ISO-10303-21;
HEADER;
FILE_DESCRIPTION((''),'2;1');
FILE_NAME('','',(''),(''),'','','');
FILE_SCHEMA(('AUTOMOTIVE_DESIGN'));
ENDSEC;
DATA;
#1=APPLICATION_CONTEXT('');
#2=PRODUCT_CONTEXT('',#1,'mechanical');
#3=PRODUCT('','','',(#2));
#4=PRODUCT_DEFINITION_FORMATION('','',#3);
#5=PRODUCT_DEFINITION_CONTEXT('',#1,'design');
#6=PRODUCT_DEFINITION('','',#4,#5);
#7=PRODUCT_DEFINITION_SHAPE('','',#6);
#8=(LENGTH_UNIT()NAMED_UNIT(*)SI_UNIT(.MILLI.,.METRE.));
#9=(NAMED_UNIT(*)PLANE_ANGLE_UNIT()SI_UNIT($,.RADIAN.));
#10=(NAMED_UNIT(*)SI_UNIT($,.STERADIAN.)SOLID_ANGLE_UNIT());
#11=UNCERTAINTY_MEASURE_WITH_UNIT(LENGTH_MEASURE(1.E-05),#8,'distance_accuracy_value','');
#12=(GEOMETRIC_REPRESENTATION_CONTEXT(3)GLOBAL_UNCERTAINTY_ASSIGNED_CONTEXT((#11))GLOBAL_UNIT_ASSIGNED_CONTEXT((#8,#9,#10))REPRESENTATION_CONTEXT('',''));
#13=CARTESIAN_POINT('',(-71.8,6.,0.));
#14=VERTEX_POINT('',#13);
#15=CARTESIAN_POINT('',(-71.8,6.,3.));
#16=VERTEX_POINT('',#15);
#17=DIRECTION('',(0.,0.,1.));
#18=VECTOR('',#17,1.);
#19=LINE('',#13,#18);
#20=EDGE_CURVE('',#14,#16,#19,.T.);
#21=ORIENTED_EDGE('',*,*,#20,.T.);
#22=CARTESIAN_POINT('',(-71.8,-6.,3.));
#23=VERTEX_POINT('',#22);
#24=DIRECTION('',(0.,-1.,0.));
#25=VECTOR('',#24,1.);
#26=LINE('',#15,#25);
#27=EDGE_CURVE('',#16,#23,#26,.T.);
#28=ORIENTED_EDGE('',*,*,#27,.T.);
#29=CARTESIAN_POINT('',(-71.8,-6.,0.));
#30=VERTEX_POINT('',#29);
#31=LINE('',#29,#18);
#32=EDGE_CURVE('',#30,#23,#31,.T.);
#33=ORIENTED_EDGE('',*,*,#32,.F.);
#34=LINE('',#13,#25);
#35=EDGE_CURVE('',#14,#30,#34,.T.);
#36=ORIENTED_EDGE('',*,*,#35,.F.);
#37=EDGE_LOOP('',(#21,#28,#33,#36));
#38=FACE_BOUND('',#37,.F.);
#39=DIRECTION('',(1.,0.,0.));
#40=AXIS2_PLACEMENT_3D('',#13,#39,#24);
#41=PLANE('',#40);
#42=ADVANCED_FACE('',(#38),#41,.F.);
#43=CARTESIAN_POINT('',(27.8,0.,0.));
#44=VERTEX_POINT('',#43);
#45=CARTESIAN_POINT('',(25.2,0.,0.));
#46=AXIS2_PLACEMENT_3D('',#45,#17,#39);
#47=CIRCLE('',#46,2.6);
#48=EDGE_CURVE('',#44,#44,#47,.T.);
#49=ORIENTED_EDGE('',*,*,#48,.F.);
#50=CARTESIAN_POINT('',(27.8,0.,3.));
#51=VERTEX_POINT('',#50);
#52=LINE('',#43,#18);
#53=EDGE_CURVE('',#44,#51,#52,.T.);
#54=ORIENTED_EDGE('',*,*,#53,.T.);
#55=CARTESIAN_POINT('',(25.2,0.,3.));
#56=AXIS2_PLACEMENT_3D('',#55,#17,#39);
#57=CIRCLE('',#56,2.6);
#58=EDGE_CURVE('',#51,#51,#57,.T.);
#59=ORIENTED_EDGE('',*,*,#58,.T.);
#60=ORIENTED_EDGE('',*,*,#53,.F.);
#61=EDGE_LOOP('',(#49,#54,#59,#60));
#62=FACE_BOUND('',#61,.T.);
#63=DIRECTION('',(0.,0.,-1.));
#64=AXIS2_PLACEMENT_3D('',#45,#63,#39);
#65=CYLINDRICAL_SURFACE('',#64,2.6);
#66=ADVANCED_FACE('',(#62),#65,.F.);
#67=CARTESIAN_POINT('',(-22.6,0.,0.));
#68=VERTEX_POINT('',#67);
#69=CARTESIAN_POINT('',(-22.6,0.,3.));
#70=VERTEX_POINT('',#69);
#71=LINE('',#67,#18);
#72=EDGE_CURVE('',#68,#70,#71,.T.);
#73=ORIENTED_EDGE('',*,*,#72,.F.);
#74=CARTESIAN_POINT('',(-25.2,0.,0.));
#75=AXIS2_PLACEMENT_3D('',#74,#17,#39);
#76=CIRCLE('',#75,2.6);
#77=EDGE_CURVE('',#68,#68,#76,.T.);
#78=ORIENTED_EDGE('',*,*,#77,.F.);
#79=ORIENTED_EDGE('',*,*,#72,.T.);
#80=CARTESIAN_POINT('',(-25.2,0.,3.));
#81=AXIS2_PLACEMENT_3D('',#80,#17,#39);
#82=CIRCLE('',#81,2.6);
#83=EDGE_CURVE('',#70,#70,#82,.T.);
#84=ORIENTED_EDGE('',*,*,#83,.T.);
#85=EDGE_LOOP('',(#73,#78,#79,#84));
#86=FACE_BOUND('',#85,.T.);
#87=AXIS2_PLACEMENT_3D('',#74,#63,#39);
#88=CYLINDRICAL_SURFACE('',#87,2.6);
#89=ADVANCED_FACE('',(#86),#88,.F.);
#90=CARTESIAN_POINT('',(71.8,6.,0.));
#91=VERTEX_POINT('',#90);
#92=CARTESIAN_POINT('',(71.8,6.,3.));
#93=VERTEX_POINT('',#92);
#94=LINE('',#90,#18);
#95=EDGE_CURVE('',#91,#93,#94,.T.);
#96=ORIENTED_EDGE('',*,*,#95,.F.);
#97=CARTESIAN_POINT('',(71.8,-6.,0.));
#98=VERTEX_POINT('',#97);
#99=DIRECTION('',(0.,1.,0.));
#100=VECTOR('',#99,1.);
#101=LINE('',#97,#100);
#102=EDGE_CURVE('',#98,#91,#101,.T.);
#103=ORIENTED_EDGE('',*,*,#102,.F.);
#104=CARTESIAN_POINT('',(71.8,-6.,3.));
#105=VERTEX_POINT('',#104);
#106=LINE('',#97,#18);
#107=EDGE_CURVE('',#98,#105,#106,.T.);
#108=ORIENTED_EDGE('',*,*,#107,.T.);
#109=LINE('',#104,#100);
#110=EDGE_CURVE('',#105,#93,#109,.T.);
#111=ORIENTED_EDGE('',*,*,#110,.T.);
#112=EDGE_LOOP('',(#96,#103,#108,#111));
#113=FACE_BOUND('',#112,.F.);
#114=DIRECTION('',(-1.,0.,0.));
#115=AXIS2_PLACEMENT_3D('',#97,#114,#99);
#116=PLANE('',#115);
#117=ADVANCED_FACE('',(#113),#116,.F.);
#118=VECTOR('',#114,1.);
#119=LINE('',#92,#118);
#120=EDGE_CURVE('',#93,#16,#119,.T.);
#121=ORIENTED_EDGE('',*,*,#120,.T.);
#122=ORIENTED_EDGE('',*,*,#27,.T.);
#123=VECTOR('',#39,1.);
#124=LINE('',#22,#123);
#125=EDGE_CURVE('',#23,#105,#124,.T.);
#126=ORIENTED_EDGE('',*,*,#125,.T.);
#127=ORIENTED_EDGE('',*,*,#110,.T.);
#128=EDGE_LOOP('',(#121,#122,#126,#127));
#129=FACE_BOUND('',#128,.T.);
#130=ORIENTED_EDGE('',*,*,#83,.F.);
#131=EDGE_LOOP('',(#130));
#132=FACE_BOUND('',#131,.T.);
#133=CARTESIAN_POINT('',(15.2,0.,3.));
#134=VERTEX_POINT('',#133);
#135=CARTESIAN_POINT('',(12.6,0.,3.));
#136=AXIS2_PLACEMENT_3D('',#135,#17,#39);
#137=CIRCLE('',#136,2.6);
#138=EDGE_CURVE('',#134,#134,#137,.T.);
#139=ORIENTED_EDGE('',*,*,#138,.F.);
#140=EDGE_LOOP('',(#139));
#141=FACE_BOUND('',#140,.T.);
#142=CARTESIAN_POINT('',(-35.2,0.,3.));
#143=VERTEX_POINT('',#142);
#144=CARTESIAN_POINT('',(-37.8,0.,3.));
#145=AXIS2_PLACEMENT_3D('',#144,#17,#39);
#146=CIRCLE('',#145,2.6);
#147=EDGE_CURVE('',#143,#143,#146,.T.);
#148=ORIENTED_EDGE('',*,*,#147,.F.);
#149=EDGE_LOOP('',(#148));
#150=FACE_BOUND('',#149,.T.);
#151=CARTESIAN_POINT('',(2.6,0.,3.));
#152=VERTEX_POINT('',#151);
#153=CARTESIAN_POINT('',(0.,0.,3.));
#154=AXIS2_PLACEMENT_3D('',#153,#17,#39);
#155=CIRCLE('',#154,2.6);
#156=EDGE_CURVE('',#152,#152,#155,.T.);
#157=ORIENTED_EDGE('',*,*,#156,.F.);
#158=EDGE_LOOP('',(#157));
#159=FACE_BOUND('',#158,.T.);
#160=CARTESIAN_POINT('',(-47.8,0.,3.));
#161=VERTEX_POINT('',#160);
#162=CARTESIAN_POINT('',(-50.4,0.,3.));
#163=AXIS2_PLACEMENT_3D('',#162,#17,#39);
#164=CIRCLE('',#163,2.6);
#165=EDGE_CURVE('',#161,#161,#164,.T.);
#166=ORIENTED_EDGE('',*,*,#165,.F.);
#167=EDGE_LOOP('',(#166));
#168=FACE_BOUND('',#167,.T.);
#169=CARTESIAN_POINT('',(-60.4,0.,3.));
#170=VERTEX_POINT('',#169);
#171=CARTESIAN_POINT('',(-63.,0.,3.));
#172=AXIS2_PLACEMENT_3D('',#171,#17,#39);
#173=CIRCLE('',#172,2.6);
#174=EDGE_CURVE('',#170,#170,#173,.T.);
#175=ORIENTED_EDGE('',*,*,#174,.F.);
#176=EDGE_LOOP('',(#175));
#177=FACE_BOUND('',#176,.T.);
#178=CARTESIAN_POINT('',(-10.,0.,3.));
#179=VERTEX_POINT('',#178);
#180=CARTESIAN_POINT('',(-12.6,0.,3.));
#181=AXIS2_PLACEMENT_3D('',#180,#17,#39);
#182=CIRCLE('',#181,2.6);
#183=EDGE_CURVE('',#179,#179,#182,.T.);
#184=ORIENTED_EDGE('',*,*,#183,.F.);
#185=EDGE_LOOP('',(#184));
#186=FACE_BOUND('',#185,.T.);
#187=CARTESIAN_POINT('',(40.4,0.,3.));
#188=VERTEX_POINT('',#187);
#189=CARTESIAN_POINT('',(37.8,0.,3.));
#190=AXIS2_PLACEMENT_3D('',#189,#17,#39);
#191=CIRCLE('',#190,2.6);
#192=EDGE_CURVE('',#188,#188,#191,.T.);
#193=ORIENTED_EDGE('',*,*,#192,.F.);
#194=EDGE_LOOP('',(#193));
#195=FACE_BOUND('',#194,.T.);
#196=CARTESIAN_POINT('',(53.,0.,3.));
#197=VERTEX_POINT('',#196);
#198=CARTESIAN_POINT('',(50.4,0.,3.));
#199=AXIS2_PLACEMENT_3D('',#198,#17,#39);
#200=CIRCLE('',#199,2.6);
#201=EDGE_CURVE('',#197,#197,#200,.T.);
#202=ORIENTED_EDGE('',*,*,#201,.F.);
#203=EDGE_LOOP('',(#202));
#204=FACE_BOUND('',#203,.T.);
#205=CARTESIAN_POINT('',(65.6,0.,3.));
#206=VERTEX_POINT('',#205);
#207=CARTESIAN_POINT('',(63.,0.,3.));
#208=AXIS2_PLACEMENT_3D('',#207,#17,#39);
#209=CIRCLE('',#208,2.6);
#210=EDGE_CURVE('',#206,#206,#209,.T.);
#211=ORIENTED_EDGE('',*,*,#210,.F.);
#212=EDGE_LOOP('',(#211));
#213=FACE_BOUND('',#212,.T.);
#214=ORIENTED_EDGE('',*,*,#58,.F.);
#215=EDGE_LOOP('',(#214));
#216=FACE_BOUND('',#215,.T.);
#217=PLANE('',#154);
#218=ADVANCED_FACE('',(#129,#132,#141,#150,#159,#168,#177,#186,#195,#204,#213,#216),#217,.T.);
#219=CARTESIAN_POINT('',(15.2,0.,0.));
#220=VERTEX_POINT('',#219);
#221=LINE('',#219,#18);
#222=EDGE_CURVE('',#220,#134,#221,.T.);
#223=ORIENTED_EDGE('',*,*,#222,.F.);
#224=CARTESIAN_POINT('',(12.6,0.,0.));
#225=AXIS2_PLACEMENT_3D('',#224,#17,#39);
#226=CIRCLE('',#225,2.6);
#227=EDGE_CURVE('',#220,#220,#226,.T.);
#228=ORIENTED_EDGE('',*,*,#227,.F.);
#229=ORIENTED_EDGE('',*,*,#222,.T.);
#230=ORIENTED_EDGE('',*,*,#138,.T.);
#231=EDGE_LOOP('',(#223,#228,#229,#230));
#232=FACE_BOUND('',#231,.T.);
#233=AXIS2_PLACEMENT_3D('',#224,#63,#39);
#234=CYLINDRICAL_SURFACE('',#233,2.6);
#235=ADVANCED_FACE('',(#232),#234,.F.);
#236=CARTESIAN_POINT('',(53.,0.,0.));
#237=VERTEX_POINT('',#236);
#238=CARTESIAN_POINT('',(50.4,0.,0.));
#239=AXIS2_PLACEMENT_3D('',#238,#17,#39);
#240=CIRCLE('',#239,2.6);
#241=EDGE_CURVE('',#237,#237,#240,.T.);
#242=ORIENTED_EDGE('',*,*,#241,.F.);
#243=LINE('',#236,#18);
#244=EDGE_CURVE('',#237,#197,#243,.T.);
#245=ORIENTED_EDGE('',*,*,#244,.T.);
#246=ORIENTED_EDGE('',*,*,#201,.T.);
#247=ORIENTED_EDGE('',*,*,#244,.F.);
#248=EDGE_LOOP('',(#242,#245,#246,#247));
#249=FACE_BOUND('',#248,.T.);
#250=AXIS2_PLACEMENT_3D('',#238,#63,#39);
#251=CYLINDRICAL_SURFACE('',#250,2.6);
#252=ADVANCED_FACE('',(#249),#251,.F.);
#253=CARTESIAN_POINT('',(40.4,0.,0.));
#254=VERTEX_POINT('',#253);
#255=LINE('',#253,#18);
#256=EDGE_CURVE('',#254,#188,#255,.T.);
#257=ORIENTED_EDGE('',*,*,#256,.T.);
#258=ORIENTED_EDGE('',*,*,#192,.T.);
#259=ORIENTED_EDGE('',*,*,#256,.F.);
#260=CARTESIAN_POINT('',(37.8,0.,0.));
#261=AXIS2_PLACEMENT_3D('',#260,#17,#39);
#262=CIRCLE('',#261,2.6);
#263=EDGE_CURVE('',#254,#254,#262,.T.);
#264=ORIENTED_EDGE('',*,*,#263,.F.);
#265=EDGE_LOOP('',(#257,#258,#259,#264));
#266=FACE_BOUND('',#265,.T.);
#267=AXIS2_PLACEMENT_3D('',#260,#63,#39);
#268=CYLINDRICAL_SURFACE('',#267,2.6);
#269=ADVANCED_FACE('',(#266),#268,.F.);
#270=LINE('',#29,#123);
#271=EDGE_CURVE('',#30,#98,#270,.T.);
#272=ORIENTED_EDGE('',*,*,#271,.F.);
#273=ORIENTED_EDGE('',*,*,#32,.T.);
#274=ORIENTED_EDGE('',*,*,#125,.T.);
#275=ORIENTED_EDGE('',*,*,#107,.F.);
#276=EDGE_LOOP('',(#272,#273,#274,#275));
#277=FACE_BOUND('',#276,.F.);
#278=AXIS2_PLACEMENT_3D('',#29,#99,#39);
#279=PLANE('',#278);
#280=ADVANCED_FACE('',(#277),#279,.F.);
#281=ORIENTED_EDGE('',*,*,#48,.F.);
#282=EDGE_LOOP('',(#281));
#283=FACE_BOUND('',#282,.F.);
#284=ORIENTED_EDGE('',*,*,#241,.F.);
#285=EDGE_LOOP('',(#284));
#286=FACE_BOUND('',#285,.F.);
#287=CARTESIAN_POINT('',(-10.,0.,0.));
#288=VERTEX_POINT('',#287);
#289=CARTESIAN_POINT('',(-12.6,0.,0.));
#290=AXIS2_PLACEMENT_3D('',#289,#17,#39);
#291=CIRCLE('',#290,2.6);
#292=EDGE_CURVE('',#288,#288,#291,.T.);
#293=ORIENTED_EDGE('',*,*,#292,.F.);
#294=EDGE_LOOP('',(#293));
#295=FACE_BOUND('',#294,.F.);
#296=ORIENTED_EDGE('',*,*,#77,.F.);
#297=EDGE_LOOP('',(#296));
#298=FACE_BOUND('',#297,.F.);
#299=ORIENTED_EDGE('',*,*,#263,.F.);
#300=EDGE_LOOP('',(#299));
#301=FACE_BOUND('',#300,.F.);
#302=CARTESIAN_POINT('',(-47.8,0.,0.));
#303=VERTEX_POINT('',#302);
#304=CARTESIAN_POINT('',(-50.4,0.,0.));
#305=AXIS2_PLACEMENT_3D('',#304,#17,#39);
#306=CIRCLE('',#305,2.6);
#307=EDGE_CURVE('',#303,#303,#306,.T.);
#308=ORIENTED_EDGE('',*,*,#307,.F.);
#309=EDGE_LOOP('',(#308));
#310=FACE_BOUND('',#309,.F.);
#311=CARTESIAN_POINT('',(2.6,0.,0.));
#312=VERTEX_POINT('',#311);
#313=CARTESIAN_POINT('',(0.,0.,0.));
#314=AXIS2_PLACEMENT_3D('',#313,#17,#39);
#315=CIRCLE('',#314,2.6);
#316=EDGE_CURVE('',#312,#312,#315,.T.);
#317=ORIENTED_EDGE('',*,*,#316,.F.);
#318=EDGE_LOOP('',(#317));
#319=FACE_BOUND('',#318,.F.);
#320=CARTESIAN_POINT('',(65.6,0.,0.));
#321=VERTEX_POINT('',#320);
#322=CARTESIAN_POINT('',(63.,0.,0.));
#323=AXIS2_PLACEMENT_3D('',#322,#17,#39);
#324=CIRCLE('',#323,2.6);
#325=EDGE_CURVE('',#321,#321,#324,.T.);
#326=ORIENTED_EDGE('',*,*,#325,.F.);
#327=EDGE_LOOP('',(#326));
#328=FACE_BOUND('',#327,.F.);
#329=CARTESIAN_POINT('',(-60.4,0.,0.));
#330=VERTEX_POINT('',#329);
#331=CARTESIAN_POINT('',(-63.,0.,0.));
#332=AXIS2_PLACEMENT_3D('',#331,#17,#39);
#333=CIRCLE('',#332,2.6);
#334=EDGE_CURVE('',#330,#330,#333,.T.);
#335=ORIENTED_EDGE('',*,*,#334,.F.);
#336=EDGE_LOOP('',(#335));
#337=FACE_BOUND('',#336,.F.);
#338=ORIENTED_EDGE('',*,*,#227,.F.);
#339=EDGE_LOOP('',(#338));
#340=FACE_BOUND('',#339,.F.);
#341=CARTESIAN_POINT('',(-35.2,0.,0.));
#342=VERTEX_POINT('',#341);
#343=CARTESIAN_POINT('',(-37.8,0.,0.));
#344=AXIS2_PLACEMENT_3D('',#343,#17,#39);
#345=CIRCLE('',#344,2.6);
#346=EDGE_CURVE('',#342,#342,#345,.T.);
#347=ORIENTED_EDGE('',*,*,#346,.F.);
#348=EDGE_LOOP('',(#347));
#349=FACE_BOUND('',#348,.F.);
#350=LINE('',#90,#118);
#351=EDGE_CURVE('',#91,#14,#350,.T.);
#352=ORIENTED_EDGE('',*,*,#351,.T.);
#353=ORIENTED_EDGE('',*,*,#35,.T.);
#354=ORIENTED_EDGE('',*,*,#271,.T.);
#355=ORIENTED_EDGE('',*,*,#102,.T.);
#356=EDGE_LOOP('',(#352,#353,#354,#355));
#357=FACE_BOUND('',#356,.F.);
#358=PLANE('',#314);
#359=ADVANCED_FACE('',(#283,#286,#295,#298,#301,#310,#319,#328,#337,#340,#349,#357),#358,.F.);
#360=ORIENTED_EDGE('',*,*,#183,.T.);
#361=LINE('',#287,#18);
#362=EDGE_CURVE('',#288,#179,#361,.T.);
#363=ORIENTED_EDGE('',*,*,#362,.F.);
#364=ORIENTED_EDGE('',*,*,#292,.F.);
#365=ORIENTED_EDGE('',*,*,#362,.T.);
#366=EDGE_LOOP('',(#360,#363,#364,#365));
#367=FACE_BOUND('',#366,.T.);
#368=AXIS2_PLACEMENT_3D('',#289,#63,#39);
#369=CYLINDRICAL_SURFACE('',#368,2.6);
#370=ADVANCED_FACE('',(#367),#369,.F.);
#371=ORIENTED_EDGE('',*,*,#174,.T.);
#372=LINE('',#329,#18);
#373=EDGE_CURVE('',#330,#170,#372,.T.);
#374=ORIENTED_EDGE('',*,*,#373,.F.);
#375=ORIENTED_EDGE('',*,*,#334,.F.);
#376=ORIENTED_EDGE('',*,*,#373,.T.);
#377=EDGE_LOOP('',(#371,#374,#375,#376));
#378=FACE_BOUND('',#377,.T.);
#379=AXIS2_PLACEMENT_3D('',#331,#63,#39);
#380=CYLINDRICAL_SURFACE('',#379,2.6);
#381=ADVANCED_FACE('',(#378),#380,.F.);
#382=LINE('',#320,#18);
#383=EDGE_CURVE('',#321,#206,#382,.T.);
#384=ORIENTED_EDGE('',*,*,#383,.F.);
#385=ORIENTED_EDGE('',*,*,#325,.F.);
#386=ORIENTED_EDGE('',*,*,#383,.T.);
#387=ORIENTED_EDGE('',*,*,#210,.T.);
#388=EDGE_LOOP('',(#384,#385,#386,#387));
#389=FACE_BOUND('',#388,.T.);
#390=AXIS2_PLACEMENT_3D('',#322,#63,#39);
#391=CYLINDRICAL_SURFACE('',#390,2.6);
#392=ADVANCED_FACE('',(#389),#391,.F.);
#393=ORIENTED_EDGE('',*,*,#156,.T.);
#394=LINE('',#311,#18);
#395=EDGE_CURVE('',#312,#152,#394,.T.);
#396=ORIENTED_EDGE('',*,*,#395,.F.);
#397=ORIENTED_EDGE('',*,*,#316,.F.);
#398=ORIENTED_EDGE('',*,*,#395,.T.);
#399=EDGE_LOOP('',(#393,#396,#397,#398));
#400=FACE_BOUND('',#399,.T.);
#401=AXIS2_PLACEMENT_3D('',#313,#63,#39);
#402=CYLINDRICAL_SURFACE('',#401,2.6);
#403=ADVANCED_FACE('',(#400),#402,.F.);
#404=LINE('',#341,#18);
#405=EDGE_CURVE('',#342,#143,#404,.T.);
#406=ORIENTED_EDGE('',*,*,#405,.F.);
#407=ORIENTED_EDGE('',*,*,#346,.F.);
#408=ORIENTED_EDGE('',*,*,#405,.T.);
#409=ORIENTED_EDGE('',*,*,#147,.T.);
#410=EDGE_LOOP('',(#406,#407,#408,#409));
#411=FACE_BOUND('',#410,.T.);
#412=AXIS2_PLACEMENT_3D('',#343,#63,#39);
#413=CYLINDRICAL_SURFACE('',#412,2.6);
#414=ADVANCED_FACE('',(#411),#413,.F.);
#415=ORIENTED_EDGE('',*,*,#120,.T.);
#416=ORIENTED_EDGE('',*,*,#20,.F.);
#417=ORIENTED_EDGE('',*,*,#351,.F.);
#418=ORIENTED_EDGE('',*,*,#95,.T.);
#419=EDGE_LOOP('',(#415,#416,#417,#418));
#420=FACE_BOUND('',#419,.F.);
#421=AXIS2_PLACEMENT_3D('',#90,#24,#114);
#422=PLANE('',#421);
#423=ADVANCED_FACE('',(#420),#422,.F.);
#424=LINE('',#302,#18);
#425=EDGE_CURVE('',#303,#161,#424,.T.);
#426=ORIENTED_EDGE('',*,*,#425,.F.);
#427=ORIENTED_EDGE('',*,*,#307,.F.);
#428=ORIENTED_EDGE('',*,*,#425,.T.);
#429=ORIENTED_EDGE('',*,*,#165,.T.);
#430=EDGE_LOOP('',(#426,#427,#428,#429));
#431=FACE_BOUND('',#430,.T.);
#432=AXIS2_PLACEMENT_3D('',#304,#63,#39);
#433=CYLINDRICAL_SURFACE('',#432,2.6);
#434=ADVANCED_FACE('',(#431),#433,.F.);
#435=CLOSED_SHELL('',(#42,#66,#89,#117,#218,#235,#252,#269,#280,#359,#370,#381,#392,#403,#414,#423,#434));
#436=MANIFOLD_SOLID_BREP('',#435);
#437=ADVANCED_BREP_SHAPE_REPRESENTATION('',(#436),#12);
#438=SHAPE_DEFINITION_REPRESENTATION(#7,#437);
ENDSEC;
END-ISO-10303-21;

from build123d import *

# Parameters (mm, degrees)
F0_R     = 2.6
F1_DEPTH = 3


with BuildPart() as f1:
    # F0 (on Top) → F1 (new body)
    with BuildSketch(Plane.XY):
        Polygon((-71.8, 6), (-71.8, 0), (-71.8, -6), (71.8, -6), (71.8, 0), (71.8, 6), align=None)
        with Locations((-63, 0)):
            Circle(F0_R, mode=Mode.SUBTRACT)
        with Locations((-50.4, 0)):
            Circle(F0_R, mode=Mode.SUBTRACT)
        with Locations((-37.8, 0)):
            Circle(F0_R, mode=Mode.SUBTRACT)
        with Locations((-25.2, 0)):
            Circle(F0_R, mode=Mode.SUBTRACT)
        with Locations((-12.6, 0)):
            Circle(F0_R, mode=Mode.SUBTRACT)
        Circle(F0_R, mode=Mode.SUBTRACT)
        with Locations((12.6, 0)):
            Circle(F0_R, mode=Mode.SUBTRACT)
        with Locations((25.2, 0)):
            Circle(F0_R, mode=Mode.SUBTRACT)
        with Locations((37.8, 0)):
            Circle(F0_R, mode=Mode.SUBTRACT)
        with Locations((50.4, 0)):
            Circle(F0_R, mode=Mode.SUBTRACT)
        with Locations((63, 0)):
            Circle(F0_R, mode=Mode.SUBTRACT)
    extrude(amount=F1_DEPTH)


solid = f1.part
